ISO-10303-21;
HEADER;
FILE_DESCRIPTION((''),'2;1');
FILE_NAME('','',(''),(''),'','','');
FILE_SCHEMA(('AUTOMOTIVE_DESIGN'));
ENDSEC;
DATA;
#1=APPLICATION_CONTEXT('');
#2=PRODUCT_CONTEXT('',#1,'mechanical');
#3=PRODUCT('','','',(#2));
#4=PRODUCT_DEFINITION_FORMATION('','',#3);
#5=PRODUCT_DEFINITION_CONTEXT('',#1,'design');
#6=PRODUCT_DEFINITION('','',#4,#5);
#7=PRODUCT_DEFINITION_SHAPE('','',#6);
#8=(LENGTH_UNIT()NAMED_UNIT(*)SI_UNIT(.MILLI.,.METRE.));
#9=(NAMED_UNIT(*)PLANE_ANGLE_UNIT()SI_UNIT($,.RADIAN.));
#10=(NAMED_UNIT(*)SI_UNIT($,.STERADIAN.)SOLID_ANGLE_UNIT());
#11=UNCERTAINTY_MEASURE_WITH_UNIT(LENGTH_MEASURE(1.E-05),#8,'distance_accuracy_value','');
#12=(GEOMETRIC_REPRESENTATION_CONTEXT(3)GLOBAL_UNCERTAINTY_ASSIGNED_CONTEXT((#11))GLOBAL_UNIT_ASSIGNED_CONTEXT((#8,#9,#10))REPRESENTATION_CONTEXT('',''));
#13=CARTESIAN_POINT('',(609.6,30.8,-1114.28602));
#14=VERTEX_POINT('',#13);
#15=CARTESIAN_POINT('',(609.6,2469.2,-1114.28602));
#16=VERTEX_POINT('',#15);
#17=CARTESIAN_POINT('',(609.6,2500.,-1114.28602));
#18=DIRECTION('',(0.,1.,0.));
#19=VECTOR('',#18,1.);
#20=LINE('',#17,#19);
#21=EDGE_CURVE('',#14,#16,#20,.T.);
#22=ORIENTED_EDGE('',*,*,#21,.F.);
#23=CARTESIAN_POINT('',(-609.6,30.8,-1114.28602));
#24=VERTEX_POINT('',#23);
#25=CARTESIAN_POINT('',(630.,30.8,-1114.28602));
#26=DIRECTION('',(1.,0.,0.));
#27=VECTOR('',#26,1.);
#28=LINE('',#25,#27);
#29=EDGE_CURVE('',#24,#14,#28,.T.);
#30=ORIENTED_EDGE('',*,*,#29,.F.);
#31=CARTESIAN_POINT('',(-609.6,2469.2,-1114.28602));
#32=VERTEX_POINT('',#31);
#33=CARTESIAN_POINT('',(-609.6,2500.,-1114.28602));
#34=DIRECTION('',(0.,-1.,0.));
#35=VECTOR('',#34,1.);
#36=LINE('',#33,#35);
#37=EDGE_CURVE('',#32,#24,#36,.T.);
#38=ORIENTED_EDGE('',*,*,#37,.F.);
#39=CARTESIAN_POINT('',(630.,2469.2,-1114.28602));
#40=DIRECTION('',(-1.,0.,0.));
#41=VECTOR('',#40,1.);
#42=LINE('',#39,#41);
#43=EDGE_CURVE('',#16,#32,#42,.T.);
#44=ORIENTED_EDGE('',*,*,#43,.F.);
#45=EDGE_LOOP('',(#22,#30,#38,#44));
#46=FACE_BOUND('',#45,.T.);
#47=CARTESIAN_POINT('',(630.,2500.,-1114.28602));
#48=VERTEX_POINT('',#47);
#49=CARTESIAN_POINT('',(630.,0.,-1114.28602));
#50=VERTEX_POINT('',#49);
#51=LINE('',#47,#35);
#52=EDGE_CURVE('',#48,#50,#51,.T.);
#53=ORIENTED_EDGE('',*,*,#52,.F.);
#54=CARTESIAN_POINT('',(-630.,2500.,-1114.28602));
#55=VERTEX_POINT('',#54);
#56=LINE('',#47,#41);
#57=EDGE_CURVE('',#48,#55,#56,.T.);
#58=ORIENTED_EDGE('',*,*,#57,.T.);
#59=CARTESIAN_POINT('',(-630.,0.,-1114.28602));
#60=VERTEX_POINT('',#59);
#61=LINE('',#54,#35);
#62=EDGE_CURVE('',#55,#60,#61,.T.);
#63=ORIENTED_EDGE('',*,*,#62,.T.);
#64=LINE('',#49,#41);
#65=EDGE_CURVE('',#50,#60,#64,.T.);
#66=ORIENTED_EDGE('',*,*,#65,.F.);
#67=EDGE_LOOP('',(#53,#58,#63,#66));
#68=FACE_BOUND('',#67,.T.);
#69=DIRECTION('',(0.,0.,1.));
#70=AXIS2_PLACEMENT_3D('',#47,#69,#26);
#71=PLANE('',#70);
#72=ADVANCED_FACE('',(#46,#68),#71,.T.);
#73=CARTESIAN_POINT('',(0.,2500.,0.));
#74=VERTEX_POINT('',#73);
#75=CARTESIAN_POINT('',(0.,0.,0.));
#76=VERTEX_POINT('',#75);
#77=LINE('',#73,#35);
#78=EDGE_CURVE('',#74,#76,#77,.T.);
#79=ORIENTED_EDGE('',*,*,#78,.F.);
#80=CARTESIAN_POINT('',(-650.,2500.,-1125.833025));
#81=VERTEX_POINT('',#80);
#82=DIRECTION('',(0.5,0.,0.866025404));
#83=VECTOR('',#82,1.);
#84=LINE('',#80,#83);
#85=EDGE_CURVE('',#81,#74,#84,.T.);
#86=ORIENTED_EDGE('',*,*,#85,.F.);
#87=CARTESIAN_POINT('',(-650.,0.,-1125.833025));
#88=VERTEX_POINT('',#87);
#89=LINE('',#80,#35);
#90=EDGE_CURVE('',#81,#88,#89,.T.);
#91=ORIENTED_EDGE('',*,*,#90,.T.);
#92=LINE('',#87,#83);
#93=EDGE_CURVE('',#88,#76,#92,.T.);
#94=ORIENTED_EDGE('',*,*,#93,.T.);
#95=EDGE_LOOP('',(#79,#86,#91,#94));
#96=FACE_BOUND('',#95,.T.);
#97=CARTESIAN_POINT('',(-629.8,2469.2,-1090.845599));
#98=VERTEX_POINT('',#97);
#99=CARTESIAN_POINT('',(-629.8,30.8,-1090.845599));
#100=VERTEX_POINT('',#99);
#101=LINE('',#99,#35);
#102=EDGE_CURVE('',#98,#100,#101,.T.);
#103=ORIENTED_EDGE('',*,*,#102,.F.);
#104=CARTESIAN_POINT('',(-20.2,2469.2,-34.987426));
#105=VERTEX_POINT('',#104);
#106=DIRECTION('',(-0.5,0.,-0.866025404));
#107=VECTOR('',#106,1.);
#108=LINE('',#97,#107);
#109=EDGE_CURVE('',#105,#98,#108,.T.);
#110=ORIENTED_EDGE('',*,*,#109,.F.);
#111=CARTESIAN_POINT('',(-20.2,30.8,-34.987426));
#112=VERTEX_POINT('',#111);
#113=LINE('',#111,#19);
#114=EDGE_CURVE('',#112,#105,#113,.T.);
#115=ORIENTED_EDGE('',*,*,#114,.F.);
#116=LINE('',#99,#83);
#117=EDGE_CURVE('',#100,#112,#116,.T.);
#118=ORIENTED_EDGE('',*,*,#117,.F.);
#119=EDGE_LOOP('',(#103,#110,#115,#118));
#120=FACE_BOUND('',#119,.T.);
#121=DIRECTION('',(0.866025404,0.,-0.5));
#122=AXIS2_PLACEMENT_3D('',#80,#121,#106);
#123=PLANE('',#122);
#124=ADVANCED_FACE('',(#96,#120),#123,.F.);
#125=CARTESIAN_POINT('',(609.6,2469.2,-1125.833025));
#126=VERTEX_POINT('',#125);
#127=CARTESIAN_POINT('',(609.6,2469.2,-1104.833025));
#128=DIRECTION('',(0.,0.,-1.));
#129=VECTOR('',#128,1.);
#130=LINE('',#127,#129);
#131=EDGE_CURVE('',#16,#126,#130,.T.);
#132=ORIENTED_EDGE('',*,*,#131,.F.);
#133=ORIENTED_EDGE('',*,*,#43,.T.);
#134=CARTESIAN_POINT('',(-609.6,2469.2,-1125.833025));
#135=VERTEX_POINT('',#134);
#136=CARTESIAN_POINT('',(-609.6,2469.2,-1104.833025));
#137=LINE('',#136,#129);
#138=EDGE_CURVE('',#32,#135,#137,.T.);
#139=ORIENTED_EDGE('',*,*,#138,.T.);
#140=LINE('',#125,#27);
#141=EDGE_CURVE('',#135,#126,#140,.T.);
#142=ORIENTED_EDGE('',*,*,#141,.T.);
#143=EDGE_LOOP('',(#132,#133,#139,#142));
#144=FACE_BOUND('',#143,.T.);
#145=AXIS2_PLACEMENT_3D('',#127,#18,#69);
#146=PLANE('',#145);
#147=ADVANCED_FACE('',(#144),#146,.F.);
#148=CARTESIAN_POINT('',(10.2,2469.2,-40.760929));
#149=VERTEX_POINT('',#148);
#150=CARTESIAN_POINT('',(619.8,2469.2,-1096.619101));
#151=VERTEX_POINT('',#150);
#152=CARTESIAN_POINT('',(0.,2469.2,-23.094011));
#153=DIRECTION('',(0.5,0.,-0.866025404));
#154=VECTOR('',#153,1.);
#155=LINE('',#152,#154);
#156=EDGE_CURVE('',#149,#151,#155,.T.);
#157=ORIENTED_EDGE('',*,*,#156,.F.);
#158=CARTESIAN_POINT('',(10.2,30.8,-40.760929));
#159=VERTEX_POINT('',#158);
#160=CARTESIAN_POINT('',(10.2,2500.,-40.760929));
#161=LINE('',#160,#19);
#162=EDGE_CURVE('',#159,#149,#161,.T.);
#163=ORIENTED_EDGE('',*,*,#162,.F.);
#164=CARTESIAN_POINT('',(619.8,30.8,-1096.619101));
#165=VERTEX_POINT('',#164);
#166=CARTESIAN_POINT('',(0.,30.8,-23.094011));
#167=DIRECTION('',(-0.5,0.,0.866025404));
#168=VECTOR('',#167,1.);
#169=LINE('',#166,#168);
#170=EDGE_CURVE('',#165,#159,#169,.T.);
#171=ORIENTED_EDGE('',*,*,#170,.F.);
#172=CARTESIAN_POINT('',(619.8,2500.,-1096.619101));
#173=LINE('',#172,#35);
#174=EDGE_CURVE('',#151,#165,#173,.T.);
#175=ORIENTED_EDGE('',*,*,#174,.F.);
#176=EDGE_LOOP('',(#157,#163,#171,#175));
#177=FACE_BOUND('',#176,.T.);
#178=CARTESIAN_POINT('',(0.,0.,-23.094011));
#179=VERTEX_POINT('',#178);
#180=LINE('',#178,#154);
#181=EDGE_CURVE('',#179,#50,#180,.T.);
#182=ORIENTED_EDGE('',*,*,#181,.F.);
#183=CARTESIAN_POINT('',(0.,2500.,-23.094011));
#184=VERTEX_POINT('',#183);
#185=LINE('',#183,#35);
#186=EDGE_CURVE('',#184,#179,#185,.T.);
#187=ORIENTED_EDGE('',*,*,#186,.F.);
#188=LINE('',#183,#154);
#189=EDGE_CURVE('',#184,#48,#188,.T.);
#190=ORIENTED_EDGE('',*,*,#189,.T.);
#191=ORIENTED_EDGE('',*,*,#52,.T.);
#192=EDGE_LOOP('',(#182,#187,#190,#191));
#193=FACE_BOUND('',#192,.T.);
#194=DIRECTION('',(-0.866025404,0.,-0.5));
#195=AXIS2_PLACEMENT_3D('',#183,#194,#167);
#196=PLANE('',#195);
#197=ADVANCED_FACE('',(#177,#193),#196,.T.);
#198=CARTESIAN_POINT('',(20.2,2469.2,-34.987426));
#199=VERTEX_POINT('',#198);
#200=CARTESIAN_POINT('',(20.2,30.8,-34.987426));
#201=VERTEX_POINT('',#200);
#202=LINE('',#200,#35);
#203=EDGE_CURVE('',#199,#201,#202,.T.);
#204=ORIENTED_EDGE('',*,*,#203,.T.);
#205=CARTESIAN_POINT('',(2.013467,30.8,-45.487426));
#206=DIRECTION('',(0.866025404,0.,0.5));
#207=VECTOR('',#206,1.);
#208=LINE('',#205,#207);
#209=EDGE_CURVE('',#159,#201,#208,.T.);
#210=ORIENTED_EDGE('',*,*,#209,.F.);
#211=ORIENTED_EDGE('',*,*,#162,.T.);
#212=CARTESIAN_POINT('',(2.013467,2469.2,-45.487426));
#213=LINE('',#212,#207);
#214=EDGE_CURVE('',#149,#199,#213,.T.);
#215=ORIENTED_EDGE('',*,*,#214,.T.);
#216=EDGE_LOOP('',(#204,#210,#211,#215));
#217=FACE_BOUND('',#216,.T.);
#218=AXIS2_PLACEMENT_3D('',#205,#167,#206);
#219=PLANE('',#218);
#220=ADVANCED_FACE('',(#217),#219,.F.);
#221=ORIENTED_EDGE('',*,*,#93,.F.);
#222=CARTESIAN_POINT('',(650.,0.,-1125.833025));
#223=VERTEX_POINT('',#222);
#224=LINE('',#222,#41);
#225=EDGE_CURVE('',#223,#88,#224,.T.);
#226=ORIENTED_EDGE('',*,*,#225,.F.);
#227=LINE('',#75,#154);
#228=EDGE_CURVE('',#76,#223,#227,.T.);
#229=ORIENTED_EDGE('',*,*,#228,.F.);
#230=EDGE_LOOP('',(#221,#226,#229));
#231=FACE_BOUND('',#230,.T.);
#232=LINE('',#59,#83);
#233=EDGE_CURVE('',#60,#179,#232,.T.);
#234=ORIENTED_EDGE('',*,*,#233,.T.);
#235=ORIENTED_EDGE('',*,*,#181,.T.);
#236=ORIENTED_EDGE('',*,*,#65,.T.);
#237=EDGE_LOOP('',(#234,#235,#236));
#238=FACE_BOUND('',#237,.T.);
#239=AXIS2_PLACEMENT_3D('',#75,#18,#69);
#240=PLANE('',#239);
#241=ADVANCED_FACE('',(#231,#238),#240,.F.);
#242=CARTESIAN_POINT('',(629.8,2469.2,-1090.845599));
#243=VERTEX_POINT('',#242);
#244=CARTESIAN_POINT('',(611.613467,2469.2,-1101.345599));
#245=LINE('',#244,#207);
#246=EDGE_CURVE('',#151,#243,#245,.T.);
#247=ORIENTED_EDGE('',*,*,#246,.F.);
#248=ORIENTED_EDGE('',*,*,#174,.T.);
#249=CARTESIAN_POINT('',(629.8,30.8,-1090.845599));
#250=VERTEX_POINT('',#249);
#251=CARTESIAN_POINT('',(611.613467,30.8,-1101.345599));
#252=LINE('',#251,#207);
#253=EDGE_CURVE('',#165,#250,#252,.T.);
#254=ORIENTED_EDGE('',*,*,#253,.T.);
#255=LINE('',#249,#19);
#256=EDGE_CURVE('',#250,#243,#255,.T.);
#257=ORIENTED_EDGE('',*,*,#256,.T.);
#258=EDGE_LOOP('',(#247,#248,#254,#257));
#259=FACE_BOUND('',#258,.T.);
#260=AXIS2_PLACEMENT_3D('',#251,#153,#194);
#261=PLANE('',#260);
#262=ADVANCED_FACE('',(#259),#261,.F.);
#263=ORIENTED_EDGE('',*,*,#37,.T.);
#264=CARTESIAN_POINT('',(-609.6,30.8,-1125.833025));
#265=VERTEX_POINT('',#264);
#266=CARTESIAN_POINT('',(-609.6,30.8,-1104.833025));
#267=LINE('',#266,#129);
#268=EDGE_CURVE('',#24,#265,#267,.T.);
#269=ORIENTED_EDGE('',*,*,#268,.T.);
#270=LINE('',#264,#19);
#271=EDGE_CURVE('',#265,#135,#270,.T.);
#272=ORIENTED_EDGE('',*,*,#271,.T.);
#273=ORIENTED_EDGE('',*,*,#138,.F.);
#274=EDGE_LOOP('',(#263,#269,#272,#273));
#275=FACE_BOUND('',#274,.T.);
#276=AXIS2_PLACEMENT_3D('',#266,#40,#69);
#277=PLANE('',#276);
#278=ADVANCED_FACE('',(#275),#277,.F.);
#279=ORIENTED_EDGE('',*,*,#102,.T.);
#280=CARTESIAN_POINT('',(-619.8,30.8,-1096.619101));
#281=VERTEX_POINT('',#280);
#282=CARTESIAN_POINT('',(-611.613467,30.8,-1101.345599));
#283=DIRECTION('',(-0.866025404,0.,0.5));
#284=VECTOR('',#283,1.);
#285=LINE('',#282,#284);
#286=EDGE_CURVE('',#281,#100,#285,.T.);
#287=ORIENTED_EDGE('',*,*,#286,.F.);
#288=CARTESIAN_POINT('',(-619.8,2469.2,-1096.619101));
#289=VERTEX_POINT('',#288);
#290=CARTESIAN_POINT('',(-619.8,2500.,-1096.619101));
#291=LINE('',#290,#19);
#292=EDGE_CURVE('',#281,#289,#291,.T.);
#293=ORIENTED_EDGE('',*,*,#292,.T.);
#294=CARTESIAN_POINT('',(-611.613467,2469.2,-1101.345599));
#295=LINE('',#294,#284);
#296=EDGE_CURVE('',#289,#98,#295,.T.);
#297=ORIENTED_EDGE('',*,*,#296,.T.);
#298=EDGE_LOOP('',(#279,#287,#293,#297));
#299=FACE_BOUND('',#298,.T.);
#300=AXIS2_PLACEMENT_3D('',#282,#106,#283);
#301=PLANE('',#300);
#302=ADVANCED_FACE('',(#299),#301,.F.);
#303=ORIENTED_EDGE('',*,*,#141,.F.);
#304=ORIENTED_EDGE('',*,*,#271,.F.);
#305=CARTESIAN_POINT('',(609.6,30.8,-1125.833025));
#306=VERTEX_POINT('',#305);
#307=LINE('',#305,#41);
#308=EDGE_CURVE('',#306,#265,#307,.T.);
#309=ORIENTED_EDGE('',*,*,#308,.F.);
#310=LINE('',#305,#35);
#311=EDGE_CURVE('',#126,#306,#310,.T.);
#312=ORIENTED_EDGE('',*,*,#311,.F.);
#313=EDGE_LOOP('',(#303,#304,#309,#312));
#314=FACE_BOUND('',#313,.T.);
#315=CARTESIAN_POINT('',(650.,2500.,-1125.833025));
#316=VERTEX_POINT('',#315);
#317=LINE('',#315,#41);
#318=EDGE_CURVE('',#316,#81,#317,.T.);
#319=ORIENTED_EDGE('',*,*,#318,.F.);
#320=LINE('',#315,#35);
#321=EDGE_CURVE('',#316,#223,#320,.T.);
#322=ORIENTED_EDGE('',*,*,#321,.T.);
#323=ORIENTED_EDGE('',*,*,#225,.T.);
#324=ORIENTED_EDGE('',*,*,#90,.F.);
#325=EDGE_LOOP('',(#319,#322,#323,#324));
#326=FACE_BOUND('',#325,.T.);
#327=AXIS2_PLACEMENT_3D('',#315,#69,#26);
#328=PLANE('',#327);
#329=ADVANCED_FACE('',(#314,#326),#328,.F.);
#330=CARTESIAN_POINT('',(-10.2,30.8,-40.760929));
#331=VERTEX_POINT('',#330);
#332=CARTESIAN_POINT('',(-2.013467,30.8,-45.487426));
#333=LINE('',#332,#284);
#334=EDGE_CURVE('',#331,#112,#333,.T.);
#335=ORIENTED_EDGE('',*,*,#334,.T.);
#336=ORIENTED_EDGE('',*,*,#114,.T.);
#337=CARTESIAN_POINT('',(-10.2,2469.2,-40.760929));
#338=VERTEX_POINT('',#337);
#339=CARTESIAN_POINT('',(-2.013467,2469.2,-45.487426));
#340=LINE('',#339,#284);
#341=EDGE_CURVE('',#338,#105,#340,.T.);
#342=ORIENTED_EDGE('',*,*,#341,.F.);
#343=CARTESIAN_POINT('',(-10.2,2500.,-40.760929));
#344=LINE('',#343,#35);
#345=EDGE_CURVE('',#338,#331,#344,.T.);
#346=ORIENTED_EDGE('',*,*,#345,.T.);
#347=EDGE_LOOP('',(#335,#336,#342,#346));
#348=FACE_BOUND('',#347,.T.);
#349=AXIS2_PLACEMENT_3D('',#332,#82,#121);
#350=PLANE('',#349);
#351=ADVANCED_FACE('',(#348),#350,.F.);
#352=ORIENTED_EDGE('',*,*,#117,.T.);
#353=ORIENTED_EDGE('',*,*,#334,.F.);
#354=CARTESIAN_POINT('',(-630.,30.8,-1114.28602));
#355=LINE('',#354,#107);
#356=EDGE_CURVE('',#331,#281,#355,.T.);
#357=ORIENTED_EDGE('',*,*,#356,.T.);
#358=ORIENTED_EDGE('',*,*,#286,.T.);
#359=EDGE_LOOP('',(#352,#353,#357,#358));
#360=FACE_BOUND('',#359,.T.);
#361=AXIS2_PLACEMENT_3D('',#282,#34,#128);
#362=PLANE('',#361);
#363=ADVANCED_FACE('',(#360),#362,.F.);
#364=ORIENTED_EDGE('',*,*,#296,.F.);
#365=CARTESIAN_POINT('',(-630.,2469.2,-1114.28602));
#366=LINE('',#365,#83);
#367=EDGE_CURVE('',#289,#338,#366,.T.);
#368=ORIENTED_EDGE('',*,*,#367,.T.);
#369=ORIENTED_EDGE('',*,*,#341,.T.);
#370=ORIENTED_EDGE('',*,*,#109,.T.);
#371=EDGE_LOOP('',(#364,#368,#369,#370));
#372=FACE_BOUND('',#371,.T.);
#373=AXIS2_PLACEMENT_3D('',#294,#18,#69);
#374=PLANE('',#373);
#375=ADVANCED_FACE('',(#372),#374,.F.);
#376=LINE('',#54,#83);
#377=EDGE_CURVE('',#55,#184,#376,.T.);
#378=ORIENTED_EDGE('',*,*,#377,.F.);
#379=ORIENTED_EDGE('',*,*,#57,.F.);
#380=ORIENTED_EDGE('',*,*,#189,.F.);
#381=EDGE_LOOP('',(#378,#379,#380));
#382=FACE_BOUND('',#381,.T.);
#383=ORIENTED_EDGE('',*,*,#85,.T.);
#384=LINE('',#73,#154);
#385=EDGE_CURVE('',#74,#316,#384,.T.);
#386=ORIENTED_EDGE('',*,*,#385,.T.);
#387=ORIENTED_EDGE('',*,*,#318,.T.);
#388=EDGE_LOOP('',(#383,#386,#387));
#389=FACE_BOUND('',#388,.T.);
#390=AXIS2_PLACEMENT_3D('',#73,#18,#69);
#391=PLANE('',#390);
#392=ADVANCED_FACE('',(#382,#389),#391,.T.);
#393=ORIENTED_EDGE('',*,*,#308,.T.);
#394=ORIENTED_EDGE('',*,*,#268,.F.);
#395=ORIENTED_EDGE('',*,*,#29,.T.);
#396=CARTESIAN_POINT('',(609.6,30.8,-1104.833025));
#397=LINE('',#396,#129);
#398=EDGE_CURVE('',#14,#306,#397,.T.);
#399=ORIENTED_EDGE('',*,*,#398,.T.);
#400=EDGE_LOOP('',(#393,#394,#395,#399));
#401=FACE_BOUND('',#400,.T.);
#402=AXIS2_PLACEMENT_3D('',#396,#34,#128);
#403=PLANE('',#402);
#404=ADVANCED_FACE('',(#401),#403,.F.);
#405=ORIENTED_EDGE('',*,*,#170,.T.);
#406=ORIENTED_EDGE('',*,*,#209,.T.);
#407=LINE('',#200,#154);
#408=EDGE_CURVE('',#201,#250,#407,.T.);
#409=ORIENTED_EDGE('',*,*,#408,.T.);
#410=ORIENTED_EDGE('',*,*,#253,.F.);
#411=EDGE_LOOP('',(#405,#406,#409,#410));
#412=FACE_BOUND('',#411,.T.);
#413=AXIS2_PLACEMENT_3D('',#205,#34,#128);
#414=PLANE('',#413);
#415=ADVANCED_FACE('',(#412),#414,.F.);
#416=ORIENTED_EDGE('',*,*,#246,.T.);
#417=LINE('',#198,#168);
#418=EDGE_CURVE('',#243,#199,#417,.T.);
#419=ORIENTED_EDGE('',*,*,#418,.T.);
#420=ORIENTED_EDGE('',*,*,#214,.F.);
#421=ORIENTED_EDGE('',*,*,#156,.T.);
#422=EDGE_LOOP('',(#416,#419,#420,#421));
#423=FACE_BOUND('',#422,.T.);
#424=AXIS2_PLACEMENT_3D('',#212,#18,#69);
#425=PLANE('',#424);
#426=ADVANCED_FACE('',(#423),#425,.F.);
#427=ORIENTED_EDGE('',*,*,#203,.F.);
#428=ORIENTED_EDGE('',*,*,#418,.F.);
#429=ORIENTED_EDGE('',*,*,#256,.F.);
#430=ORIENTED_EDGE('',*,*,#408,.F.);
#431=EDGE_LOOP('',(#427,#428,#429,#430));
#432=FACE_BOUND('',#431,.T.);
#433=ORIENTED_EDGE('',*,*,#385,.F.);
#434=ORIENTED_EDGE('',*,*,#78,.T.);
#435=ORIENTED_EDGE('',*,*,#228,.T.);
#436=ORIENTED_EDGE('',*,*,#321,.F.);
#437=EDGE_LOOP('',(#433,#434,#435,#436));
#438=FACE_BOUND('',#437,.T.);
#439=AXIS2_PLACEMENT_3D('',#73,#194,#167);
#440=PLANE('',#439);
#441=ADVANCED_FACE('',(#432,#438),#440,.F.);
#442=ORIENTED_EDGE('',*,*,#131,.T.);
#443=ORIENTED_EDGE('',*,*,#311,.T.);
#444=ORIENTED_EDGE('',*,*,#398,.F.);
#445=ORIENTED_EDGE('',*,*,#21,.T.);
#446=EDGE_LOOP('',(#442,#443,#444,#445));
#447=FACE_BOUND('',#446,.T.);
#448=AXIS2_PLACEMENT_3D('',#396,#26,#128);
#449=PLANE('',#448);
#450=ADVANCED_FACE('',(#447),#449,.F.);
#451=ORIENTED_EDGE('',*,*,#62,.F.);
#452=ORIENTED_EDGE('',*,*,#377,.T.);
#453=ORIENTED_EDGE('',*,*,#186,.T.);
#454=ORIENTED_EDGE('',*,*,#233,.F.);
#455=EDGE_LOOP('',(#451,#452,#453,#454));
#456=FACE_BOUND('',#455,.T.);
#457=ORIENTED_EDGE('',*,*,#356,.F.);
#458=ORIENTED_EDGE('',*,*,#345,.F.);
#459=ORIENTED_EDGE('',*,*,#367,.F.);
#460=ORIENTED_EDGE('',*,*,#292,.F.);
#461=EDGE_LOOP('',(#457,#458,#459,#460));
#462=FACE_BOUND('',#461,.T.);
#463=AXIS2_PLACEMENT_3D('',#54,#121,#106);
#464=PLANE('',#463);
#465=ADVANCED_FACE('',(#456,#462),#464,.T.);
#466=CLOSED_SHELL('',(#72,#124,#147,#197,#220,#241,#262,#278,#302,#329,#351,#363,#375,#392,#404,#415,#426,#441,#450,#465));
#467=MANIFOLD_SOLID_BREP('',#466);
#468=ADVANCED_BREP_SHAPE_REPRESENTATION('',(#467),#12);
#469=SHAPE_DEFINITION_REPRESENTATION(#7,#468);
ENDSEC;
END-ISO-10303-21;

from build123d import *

# Parameters (mm, degrees)
BOSS_EXTRUDE2_DEPTH = 2500
SKETCH4_W           = 1219.2
SKETCH4_H           = 2438.4
CUT_EXTRUDE2_DEPTH  = 21
SKETCH5_W           = 1219.2
SKETCH5_H           = 2438.4
CUT_EXTRUDE3_DEPTH  = 21
SKETCH6_W           = 1219.2
SKETCH6_H           = 2438.4
CUT_EXTRUDE4_DEPTH  = 21


with BuildPart() as part:
    # Sketch1 → Boss-Extrude2 (new body)
    with BuildSketch(Plane(origin=(0, 0, 0), x_dir=(1, 0, 0), z_dir=(0, 1, 0))):
        Polygon((0, 0), (650, 1125.83302492), (-650, 1125.83302492), align=None)
        Polygon((0, 23.094010768), (630, 1114.286019536), (-630, 1114.286019536), align=None, mode=Mode.SUBTRACT)
    extrude(amount=BOSS_EXTRUDE2_DEPTH)

    # Sketch4 → Cut-Extrude2 (cut)
    with BuildSketch(Plane(origin=(0, 0, -1125.83302492), x_dir=(-1, 0, 0), z_dir=(0, 0, -1))):
        with Locations((0, 1250)):
            Rectangle(SKETCH4_W, SKETCH4_H)
    extrude(amount=-CUT_EXTRUDE2_DEPTH, mode=Mode.SUBTRACT)

    # Sketch5 → Cut-Extrude3 (cut)
    with BuildSketch(Plane(origin=(0, 0, 0), x_dir=(0.5000000000000001, 0, 0.8660254037844386), z_dir=(-0.8660254037844386, 0, 0.5000000000000001))):
        with Locations((-650, 1250)):
            Rectangle(SKETCH5_W, SKETCH5_H)
    extrude(amount=-CUT_EXTRUDE3_DEPTH, mode=Mode.SUBTRACT)

    # Sketch6 → Cut-Extrude4 (cut)
    with BuildSketch(Plane(origin=(0, 0, 0), x_dir=(0.4999999999999999, 0, -0.8660254037844386), z_dir=(0.8660254037844387, 0, 0.49999999999999994))):
        with Locations((650, 1250)):
            Rectangle(SKETCH6_W, SKETCH6_H)
    extrude(amount=-CUT_EXTRUDE4_DEPTH, mode=Mode.SUBTRACT)


solid = part.part
